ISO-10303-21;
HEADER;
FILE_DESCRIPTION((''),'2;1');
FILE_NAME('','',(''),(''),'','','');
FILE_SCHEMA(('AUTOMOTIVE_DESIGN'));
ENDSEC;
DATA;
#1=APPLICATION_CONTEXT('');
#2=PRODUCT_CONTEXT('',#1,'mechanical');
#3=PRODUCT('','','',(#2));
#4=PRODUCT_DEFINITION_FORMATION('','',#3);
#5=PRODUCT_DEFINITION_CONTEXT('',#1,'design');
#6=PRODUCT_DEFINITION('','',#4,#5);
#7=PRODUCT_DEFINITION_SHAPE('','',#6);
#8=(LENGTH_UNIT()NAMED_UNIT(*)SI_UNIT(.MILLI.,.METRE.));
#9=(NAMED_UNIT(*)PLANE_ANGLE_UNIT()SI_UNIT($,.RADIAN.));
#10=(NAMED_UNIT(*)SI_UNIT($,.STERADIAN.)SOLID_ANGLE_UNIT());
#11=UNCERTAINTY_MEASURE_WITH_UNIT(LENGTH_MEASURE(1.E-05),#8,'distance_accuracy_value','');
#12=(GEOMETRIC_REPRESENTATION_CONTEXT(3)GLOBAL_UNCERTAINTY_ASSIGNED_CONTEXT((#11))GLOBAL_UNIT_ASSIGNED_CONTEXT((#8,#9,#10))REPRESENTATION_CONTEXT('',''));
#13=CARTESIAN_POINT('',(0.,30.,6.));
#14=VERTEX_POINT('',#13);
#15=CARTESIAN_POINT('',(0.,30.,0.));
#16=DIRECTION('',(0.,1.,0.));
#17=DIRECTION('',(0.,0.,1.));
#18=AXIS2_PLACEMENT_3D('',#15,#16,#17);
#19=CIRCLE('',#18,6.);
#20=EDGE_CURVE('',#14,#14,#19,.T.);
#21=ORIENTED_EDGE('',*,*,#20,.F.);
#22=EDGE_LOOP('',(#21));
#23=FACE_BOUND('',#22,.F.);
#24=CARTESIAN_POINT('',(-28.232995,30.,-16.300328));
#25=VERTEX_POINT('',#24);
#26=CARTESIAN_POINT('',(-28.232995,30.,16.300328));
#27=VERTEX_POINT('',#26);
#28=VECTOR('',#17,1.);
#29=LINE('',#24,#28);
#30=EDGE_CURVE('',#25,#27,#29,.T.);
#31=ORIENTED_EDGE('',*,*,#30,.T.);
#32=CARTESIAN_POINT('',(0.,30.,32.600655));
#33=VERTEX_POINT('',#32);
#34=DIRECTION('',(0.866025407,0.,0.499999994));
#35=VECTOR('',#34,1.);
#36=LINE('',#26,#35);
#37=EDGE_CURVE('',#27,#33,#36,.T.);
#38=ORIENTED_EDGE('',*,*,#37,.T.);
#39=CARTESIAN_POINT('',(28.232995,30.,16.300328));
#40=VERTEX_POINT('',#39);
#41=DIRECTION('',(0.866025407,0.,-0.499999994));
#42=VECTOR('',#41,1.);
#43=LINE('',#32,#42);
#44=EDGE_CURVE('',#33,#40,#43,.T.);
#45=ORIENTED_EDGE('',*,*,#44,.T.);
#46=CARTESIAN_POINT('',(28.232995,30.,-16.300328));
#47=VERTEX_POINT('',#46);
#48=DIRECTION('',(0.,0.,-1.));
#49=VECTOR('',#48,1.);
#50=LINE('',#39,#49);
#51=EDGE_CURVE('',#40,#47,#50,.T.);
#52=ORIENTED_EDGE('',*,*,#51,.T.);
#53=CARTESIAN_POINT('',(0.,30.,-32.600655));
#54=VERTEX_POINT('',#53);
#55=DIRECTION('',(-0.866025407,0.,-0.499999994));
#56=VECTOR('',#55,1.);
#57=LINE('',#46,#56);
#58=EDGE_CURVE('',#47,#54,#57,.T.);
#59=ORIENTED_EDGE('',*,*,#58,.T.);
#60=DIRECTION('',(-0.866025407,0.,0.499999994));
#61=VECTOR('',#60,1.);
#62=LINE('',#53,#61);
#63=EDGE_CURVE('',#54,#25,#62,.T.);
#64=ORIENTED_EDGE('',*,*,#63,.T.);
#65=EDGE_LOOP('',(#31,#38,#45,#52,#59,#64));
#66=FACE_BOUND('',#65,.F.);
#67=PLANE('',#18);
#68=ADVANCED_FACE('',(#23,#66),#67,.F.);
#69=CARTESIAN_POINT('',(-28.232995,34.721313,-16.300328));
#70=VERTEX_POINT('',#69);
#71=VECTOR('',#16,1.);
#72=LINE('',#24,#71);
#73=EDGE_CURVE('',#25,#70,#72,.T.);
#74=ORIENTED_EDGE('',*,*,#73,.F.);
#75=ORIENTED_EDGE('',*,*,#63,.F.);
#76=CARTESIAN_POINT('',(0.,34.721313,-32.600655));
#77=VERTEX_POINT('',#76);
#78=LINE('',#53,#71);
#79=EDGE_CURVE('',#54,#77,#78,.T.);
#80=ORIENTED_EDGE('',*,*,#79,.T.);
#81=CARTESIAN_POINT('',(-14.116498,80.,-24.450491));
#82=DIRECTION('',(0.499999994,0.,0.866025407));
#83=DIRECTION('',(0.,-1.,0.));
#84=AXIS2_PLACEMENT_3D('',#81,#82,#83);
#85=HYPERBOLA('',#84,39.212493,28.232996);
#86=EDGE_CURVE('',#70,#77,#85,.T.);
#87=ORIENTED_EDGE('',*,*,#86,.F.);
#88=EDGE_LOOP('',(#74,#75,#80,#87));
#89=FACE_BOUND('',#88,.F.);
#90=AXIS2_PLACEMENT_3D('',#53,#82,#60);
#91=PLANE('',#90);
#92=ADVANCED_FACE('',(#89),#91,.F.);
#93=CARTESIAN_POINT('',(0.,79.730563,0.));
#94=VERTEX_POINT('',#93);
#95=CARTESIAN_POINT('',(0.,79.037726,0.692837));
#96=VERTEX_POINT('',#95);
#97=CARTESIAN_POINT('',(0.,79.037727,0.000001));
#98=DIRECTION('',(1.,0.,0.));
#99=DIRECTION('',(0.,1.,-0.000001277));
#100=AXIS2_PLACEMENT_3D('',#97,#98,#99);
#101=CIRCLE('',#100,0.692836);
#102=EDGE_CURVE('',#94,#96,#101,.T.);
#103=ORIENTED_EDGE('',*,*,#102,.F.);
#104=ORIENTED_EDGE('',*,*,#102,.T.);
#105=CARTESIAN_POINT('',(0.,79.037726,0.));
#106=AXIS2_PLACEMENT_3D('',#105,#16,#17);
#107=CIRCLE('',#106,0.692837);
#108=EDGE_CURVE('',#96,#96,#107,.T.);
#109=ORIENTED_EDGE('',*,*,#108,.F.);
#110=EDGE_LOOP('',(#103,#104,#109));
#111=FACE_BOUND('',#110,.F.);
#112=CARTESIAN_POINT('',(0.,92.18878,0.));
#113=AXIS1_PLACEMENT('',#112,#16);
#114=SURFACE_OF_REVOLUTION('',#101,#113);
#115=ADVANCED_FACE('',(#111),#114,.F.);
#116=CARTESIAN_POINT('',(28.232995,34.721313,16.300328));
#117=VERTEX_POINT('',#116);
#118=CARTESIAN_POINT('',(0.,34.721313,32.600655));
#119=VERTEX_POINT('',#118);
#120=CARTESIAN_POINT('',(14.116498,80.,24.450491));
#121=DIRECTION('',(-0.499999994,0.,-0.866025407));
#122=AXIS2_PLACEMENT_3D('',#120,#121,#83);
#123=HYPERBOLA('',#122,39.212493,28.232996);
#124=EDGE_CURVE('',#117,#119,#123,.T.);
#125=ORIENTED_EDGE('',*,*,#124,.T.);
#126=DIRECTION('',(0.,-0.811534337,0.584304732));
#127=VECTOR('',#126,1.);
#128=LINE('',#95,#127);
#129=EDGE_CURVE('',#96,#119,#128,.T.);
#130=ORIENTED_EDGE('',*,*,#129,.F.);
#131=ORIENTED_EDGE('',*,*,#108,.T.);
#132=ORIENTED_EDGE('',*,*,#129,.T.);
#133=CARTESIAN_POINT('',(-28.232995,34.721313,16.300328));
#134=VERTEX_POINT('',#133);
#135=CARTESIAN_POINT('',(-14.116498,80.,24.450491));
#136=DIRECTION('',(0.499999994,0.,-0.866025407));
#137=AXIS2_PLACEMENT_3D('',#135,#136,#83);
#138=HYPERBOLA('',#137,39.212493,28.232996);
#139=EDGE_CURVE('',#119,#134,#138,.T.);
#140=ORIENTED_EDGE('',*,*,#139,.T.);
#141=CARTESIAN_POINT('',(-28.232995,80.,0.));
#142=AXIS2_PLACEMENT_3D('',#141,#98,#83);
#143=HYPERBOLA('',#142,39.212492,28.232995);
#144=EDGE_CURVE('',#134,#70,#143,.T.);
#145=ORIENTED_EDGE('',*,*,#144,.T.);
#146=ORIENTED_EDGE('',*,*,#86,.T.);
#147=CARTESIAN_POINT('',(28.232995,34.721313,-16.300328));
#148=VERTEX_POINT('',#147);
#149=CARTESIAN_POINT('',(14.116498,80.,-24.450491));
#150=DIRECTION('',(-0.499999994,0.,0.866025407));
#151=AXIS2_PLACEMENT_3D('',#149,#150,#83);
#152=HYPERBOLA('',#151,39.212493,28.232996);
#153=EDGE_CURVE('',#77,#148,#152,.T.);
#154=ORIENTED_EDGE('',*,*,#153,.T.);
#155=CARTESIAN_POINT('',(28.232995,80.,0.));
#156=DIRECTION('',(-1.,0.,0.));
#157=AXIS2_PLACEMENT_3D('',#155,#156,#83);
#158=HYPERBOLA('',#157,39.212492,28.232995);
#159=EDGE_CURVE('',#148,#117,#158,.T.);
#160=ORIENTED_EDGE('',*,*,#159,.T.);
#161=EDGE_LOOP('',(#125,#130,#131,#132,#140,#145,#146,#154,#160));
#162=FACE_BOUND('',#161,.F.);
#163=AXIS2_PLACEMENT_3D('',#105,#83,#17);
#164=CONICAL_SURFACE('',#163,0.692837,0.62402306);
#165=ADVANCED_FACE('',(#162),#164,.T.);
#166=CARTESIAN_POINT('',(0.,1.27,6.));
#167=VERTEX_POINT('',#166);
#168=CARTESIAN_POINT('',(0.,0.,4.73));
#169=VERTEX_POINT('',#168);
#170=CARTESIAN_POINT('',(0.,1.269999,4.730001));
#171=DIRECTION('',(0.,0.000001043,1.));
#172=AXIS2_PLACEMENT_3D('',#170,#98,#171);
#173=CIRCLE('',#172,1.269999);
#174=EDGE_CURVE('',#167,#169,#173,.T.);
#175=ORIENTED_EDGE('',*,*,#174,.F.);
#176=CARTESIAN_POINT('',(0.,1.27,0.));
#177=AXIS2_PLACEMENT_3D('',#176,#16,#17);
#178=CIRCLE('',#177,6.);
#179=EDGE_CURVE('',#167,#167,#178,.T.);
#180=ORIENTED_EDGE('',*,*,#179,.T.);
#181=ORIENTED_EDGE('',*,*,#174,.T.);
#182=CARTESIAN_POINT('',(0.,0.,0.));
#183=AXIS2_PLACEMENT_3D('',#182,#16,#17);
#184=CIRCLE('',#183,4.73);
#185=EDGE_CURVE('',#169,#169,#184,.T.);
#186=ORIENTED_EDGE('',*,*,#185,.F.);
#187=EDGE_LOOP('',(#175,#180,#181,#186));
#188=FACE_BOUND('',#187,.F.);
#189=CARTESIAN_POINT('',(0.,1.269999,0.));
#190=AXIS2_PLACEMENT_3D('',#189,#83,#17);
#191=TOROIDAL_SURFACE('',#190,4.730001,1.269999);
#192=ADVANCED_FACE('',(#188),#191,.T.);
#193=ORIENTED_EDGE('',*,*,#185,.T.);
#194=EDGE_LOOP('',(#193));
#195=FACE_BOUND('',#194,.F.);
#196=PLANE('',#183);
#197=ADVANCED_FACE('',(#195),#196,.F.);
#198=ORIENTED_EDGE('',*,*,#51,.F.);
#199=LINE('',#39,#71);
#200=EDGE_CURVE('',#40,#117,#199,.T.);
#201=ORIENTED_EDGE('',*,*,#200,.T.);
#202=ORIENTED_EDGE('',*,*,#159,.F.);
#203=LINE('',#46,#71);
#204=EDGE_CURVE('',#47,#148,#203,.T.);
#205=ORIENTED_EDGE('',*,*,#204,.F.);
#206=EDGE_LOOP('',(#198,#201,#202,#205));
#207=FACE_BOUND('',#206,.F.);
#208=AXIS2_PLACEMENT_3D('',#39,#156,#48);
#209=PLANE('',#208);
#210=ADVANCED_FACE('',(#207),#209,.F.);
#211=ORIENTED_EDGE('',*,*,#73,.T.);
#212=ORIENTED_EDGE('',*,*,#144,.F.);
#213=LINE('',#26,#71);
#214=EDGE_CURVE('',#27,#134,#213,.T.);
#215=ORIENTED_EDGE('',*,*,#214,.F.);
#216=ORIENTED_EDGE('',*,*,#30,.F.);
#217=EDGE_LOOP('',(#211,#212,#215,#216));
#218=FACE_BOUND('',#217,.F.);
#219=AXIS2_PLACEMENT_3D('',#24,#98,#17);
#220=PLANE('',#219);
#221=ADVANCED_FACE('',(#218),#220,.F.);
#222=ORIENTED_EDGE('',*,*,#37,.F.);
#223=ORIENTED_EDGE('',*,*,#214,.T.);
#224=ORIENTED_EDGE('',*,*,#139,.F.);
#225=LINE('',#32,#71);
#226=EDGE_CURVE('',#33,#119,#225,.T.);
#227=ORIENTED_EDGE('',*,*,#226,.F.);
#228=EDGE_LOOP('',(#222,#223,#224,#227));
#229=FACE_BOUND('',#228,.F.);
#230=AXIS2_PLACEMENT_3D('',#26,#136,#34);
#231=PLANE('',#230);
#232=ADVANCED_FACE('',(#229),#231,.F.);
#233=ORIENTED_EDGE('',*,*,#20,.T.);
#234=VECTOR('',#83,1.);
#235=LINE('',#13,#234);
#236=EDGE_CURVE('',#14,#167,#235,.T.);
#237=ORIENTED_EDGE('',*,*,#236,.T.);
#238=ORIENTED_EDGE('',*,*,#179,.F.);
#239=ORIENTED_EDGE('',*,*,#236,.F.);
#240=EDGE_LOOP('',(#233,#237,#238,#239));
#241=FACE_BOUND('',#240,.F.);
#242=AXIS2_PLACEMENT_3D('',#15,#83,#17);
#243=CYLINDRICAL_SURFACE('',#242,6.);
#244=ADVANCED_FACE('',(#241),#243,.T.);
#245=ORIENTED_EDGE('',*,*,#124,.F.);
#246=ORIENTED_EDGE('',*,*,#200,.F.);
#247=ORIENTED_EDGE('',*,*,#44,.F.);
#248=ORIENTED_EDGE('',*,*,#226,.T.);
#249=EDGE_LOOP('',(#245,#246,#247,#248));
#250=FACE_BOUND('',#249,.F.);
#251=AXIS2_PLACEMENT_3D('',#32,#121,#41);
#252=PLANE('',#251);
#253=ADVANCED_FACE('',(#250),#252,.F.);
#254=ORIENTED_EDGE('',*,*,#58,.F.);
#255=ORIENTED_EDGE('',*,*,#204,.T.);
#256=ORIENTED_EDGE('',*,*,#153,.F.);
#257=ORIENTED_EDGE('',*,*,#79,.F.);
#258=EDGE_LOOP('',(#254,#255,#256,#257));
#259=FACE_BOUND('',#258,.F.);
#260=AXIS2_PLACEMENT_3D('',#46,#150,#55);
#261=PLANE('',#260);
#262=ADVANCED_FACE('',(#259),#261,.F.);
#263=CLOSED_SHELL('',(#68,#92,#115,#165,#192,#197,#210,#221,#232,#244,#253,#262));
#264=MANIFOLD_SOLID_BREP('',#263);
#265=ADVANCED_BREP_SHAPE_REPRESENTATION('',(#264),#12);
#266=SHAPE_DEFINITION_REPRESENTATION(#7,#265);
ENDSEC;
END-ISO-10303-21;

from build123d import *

# Parameters (mm, degrees)
F3_R     = 42.209287
F4_DEPTH = 25.4


with BuildPart() as f1:
    # F0 (on Right) → F1 (revolve)
    with BuildSketch(Plane.YZ):
        with BuildLine():
            Line((0, 4.73), (0, 0))
            Line((0, 0), (79.730563, 0))
            ThreePointArc((79.730563, 0), (79.527636, 0.48991), (79.037726, 0.692837))
            Line((79.037726, 0.692837), (32.012067, 34.551312))
            ThreePointArc((32.012067, 34.551312), (30.691003, 34.651001), (30, 33.520663))
            Line((30, 33.520663), (30, 6))
            Line((30, 6), (1.27, 6))
            ThreePointArc((1.27, 6), (0.371974, 5.628026), (0, 4.73))
        make_face()
    revolve(axis=Axis((0, 92.18878, 0), (0, 1, 0)))

    # F3 (on face) → F4 (cut)
    with BuildSketch(Plane.XZ.offset(-30)):
        Circle(F3_R)
        Polygon((0, 32.600655), (28.232995, 16.300328), (28.232995, -16.300328), (0, -32.600655), (-28.232995, -16.300328), (-28.232995, 16.300328), align=None, mode=Mode.SUBTRACT)
    extrude(amount=-F4_DEPTH, mode=Mode.SUBTRACT)


solid = f1.part
